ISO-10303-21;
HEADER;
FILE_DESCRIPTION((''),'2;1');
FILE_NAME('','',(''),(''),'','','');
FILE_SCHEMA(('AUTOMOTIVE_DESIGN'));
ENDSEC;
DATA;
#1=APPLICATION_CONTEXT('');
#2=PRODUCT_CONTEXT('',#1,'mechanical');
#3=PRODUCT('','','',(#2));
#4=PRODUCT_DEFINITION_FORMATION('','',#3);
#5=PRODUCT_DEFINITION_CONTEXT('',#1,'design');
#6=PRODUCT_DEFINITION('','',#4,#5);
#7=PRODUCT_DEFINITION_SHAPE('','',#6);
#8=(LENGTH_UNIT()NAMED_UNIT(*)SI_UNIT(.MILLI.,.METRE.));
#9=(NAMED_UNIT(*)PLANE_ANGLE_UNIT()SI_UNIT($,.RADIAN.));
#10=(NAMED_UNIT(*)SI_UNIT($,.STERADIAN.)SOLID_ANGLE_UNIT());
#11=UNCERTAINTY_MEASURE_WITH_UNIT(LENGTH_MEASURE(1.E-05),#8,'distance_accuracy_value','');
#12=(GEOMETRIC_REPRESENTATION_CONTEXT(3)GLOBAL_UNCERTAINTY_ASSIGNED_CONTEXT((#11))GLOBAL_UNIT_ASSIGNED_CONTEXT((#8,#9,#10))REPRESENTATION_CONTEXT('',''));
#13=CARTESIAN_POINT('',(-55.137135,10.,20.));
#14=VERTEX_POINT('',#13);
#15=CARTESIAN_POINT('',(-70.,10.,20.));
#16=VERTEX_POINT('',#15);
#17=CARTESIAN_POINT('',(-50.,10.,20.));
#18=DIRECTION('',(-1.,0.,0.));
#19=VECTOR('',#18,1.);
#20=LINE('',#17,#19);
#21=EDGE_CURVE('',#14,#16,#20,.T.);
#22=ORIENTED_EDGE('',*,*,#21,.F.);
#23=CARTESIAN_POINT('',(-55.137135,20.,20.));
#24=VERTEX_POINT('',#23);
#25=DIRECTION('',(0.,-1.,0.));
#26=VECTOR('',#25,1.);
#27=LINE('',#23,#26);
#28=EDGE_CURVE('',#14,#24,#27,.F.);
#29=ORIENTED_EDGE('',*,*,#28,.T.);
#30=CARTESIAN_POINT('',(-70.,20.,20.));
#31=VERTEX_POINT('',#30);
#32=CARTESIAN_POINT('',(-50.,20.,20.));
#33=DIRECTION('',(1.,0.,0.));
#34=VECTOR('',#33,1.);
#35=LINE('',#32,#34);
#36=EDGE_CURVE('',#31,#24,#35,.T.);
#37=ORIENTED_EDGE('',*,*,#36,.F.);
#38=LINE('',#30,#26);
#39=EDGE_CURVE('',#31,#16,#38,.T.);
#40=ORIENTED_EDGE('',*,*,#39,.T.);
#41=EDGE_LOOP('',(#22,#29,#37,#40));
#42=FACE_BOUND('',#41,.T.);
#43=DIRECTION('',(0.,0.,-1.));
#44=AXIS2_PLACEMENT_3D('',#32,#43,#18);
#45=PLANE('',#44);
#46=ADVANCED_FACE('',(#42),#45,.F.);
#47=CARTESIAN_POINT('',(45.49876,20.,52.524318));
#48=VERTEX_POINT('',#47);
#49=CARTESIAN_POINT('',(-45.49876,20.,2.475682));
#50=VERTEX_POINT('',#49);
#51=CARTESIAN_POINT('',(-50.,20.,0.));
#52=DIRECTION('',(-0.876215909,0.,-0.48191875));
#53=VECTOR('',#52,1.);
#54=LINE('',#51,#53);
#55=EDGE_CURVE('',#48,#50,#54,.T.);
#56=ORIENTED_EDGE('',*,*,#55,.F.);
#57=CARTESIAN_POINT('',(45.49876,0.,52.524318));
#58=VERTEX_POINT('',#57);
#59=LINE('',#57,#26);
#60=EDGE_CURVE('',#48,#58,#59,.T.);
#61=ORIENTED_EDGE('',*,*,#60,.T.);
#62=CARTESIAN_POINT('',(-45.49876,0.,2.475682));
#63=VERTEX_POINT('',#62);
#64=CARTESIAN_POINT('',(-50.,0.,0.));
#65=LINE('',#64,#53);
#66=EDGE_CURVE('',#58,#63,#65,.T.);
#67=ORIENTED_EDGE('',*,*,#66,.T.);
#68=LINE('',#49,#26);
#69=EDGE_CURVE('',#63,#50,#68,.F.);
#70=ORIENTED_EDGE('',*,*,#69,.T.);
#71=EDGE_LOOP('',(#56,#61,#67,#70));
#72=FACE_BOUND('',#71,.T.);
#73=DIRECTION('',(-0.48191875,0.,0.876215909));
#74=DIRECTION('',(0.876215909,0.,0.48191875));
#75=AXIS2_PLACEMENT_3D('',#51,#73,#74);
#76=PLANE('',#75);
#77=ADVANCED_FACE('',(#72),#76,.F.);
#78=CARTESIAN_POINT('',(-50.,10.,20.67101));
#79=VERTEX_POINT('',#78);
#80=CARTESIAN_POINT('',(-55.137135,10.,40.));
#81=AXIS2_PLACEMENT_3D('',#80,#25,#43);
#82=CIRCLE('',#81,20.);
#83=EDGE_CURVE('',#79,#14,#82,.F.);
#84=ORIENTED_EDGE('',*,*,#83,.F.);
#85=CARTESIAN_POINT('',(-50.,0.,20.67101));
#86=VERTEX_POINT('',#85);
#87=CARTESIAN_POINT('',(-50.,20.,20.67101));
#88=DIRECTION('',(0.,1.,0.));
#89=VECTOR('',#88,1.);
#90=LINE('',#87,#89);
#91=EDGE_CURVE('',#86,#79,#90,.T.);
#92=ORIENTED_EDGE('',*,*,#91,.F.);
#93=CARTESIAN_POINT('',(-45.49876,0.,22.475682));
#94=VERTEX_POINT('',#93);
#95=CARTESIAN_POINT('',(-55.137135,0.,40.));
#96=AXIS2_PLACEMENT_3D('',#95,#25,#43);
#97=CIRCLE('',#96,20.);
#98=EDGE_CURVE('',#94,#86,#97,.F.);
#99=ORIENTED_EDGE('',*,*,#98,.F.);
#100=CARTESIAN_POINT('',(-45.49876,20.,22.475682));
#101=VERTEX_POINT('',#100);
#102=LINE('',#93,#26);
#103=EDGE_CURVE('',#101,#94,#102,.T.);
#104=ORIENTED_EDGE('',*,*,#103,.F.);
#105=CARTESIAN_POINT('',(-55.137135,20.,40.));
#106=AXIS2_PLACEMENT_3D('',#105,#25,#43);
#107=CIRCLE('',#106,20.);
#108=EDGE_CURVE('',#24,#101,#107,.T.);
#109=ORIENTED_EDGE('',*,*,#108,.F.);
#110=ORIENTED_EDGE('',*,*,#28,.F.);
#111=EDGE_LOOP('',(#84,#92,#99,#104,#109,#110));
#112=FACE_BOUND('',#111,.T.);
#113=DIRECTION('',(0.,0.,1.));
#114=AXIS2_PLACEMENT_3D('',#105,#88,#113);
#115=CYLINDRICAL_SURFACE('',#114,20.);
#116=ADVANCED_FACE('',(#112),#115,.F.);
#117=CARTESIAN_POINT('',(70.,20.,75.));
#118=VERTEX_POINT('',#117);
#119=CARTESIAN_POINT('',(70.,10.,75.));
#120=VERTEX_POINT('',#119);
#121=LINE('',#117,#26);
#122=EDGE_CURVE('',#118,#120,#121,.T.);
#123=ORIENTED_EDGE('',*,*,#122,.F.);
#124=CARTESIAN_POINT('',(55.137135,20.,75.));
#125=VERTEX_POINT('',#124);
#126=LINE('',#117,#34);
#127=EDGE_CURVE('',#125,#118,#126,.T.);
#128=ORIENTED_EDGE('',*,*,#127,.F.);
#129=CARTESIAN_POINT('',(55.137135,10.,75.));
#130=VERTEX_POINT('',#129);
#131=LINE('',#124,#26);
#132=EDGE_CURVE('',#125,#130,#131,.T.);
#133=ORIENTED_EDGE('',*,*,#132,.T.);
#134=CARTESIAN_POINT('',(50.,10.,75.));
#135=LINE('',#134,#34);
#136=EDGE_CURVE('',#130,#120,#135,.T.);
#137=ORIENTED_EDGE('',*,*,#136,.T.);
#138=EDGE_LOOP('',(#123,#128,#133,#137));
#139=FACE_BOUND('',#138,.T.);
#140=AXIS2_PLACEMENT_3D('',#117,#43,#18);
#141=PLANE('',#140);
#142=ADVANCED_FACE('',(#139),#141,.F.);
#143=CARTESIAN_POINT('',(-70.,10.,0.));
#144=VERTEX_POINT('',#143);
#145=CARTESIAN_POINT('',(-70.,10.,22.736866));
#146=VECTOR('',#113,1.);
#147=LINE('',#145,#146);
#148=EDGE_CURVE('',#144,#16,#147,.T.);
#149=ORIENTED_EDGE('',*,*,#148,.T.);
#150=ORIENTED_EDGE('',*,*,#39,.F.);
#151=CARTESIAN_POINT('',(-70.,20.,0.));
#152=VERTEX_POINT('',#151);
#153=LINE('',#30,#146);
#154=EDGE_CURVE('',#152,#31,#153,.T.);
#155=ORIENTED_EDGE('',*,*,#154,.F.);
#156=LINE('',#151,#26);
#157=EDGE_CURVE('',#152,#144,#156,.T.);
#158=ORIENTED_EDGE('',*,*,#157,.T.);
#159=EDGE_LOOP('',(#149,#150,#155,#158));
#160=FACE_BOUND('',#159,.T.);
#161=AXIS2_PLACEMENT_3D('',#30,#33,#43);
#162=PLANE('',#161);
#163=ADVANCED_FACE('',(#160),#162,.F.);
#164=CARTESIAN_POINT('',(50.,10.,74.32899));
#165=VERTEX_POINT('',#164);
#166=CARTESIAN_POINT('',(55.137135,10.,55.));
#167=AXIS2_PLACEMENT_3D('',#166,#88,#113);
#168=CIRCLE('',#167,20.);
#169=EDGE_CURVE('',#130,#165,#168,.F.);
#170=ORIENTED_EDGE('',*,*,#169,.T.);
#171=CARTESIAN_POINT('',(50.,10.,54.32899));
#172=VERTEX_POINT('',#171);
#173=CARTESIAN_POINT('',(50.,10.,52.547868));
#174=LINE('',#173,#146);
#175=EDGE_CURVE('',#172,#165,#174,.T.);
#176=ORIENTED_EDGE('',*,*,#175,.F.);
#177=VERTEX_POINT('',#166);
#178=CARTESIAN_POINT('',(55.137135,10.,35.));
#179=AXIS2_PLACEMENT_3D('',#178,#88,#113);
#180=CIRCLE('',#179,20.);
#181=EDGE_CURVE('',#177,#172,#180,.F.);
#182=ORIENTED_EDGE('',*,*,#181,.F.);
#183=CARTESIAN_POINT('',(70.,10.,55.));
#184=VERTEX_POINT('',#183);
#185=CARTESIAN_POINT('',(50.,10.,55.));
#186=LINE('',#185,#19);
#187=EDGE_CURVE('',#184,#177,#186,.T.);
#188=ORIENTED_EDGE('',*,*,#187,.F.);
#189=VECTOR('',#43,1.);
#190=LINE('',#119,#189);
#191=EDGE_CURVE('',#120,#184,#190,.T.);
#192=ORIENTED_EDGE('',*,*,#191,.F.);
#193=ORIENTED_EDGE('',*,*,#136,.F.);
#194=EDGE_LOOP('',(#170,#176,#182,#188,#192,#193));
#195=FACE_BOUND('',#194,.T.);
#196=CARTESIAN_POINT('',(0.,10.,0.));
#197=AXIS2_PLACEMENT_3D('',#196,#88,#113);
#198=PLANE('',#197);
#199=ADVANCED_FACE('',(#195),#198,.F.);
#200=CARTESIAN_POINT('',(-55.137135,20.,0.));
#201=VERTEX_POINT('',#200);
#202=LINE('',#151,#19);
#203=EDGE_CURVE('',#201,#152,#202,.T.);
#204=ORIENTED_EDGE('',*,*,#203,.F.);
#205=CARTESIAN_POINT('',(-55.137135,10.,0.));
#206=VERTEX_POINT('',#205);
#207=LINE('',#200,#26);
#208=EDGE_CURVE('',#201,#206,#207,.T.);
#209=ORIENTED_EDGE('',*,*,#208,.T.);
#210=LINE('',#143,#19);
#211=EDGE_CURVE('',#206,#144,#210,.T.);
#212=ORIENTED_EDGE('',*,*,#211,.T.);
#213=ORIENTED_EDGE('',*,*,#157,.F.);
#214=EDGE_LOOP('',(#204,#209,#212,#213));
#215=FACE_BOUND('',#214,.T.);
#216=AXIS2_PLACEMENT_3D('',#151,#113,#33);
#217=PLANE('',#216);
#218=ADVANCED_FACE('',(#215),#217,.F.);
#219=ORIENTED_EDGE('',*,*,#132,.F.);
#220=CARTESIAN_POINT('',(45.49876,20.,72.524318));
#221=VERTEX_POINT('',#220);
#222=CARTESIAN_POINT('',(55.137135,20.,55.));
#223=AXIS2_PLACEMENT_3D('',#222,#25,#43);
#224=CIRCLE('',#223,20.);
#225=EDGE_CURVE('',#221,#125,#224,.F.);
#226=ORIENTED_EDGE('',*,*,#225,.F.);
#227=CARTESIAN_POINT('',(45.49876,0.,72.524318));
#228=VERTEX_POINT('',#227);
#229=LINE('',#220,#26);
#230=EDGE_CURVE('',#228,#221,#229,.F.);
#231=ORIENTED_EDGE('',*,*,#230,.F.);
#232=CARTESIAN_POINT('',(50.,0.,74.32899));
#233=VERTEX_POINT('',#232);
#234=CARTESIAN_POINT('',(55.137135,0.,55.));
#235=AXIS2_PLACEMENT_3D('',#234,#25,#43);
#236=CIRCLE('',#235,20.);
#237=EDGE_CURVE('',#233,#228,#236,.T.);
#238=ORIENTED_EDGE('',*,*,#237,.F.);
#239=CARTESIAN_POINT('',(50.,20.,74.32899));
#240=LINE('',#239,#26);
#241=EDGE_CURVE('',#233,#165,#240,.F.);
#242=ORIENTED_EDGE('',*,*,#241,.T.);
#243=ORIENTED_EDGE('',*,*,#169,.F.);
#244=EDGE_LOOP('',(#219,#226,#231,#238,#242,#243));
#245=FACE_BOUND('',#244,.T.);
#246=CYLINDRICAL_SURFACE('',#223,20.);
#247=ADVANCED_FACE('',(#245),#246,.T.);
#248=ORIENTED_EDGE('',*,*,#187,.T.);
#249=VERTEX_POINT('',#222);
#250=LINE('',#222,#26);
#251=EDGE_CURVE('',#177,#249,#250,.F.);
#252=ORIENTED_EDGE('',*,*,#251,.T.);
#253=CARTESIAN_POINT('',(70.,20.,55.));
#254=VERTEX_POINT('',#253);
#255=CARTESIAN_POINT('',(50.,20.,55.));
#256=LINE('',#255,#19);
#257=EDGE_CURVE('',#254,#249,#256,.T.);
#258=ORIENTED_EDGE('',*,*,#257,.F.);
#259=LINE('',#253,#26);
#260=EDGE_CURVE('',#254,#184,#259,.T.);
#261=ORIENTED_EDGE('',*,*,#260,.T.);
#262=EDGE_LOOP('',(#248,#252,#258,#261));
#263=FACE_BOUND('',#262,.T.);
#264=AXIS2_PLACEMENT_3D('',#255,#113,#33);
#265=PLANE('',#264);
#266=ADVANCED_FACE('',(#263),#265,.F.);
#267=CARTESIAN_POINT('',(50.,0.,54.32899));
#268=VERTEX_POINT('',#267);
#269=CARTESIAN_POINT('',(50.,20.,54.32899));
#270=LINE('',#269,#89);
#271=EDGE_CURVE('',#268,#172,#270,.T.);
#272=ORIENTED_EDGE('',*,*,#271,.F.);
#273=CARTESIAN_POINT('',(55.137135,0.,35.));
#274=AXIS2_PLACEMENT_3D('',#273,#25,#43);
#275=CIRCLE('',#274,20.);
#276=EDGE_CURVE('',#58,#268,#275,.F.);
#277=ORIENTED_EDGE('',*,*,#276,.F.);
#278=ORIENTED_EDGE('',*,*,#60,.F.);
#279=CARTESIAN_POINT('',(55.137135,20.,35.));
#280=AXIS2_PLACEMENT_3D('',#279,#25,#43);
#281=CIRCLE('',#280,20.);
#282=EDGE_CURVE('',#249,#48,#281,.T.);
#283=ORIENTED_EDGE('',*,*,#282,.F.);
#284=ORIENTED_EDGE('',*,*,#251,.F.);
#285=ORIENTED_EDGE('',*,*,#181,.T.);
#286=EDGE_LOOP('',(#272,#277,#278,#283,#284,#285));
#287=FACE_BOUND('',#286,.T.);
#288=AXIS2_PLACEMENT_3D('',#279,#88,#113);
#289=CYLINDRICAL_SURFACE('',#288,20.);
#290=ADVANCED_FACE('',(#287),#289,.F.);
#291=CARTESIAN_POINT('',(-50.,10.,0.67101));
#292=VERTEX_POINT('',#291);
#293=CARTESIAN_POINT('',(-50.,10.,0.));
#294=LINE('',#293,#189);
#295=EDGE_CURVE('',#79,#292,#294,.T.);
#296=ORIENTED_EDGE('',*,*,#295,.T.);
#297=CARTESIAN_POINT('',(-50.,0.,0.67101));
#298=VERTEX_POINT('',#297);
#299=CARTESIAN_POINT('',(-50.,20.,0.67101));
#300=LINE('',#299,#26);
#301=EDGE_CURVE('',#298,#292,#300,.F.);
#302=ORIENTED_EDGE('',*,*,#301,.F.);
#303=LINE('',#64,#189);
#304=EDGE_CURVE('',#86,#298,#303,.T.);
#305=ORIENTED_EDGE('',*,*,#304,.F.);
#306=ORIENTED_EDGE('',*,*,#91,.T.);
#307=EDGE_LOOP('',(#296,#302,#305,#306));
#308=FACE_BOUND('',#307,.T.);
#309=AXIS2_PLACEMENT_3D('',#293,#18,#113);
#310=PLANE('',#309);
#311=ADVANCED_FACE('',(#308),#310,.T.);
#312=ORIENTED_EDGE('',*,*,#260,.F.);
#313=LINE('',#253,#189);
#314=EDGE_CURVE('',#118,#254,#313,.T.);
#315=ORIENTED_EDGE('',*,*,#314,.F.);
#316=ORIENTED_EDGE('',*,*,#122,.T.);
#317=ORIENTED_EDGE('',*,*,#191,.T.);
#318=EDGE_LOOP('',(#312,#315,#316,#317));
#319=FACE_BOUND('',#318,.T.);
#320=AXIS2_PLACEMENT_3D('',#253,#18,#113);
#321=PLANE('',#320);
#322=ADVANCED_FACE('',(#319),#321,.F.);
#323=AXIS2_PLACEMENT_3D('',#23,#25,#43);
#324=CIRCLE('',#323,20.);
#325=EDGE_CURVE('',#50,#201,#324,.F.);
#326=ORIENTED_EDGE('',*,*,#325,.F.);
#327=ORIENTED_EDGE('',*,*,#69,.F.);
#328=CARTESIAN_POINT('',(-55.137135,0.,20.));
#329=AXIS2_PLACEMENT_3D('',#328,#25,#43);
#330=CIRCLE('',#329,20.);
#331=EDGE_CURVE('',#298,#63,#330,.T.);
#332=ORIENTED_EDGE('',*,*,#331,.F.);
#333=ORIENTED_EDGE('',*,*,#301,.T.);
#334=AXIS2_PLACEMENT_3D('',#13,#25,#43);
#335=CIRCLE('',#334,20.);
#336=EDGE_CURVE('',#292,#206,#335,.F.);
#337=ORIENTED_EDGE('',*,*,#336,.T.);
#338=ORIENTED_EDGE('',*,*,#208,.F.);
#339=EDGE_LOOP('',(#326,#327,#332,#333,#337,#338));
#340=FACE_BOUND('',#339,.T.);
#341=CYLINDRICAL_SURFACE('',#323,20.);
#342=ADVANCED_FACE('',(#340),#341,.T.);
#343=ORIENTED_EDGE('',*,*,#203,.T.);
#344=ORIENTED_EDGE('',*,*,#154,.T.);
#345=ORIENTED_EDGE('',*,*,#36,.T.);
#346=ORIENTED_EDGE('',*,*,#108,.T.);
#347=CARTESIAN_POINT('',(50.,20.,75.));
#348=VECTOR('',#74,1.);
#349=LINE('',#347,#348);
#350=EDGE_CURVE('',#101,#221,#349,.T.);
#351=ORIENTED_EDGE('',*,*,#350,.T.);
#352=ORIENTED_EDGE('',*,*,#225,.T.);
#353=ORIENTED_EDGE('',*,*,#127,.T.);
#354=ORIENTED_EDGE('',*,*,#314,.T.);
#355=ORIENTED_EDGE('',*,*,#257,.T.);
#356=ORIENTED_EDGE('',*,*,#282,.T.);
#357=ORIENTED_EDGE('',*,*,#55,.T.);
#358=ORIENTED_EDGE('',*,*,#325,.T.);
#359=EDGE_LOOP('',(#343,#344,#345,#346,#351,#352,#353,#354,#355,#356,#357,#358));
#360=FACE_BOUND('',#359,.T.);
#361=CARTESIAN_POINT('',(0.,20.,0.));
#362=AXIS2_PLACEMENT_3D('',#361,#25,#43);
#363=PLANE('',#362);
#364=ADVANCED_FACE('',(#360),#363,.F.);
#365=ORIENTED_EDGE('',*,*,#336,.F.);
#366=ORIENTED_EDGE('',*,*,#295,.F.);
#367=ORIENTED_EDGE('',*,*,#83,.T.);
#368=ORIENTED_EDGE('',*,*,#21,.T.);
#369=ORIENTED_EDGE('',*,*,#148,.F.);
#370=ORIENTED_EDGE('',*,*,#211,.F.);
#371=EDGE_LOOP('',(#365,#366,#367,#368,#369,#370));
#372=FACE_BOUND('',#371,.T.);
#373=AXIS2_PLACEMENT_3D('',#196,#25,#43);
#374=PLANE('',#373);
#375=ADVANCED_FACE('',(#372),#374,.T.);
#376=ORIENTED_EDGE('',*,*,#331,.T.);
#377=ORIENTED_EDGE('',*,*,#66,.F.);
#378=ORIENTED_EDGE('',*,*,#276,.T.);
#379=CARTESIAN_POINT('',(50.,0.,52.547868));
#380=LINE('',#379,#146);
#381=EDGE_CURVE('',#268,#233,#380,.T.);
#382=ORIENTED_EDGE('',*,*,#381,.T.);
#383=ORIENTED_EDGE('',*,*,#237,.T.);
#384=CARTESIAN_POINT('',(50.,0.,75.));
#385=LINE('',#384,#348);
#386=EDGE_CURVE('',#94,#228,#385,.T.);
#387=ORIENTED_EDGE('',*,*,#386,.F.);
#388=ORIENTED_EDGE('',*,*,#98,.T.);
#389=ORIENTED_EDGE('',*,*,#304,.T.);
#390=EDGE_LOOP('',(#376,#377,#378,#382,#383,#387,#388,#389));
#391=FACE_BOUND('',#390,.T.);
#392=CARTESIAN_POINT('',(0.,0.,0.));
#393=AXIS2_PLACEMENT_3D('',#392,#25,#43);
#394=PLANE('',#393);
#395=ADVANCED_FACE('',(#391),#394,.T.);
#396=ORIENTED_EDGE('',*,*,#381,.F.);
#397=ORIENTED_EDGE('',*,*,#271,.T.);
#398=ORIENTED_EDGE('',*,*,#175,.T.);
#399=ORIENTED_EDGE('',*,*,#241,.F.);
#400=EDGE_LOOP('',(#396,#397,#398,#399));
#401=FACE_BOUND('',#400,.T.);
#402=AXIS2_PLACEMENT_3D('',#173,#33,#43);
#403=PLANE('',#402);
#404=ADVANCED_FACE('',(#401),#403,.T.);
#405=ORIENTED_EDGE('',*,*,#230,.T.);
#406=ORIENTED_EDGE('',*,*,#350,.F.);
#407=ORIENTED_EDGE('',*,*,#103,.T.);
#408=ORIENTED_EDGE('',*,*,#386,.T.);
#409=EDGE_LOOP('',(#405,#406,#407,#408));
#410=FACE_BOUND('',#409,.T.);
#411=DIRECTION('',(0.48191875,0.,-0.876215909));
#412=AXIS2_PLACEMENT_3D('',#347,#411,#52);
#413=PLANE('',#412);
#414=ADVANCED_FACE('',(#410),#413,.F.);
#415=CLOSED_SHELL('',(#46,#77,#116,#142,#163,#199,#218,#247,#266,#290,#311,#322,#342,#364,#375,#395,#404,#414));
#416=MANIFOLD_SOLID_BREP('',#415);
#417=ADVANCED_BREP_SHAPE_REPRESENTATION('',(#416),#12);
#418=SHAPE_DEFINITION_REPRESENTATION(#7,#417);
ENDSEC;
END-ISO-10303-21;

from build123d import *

# Parameters (mm, degrees)
SALIENTE_EXTRUIR1_DEPTH = 20
REDONDEO1_R             = 20
CROQUIS3_W              = 20
CROQUIS3_H              = 22.736865604
CROQUIS3_H_2            = 22.452131832
CORTAR_EXTRUIR2_DEPTH   = 10


with BuildPart() as part:
    # Croquis1 → Saliente-Extruir1 (new body)
    with BuildSketch(Plane(origin=(0, 0, 0), x_dir=(1, 0, 0), z_dir=(0, 1, 0))):
        Polygon((-70, 0), (-50, 0), (50, -55), (70, -55), (70, -75), (50, -75), (-50, -20), (-70, -20), align=None)
    extrude(amount=SALIENTE_EXTRUIR1_DEPTH)

    # Redondeo1
    redondeo1_edges = [part.edges().sort_by_distance(p)[0] for p in [
        (-50, 10, 0),
        (50, 10, 55),
        (50, 10, 75),
        (-50, 10, 20),
    ]]
    fillet(redondeo1_edges, radius=REDONDEO1_R)

    # Croquis3 → Cortar-Extruir2 (cut)
    with BuildSketch(Plane(origin=(0, 0, 0), x_dir=(1, 0, 0), z_dir=(0, 1, 0))):
        with Locations((-60, -11.368432802)):
            Rectangle(CROQUIS3_W, CROQUIS3_H)
        with Locations((60, -63.773934084)):
            Rectangle(CROQUIS3_W, CROQUIS3_H_2)
    extrude(amount=CORTAR_EXTRUIR2_DEPTH, mode=Mode.SUBTRACT)


solid = part.part
